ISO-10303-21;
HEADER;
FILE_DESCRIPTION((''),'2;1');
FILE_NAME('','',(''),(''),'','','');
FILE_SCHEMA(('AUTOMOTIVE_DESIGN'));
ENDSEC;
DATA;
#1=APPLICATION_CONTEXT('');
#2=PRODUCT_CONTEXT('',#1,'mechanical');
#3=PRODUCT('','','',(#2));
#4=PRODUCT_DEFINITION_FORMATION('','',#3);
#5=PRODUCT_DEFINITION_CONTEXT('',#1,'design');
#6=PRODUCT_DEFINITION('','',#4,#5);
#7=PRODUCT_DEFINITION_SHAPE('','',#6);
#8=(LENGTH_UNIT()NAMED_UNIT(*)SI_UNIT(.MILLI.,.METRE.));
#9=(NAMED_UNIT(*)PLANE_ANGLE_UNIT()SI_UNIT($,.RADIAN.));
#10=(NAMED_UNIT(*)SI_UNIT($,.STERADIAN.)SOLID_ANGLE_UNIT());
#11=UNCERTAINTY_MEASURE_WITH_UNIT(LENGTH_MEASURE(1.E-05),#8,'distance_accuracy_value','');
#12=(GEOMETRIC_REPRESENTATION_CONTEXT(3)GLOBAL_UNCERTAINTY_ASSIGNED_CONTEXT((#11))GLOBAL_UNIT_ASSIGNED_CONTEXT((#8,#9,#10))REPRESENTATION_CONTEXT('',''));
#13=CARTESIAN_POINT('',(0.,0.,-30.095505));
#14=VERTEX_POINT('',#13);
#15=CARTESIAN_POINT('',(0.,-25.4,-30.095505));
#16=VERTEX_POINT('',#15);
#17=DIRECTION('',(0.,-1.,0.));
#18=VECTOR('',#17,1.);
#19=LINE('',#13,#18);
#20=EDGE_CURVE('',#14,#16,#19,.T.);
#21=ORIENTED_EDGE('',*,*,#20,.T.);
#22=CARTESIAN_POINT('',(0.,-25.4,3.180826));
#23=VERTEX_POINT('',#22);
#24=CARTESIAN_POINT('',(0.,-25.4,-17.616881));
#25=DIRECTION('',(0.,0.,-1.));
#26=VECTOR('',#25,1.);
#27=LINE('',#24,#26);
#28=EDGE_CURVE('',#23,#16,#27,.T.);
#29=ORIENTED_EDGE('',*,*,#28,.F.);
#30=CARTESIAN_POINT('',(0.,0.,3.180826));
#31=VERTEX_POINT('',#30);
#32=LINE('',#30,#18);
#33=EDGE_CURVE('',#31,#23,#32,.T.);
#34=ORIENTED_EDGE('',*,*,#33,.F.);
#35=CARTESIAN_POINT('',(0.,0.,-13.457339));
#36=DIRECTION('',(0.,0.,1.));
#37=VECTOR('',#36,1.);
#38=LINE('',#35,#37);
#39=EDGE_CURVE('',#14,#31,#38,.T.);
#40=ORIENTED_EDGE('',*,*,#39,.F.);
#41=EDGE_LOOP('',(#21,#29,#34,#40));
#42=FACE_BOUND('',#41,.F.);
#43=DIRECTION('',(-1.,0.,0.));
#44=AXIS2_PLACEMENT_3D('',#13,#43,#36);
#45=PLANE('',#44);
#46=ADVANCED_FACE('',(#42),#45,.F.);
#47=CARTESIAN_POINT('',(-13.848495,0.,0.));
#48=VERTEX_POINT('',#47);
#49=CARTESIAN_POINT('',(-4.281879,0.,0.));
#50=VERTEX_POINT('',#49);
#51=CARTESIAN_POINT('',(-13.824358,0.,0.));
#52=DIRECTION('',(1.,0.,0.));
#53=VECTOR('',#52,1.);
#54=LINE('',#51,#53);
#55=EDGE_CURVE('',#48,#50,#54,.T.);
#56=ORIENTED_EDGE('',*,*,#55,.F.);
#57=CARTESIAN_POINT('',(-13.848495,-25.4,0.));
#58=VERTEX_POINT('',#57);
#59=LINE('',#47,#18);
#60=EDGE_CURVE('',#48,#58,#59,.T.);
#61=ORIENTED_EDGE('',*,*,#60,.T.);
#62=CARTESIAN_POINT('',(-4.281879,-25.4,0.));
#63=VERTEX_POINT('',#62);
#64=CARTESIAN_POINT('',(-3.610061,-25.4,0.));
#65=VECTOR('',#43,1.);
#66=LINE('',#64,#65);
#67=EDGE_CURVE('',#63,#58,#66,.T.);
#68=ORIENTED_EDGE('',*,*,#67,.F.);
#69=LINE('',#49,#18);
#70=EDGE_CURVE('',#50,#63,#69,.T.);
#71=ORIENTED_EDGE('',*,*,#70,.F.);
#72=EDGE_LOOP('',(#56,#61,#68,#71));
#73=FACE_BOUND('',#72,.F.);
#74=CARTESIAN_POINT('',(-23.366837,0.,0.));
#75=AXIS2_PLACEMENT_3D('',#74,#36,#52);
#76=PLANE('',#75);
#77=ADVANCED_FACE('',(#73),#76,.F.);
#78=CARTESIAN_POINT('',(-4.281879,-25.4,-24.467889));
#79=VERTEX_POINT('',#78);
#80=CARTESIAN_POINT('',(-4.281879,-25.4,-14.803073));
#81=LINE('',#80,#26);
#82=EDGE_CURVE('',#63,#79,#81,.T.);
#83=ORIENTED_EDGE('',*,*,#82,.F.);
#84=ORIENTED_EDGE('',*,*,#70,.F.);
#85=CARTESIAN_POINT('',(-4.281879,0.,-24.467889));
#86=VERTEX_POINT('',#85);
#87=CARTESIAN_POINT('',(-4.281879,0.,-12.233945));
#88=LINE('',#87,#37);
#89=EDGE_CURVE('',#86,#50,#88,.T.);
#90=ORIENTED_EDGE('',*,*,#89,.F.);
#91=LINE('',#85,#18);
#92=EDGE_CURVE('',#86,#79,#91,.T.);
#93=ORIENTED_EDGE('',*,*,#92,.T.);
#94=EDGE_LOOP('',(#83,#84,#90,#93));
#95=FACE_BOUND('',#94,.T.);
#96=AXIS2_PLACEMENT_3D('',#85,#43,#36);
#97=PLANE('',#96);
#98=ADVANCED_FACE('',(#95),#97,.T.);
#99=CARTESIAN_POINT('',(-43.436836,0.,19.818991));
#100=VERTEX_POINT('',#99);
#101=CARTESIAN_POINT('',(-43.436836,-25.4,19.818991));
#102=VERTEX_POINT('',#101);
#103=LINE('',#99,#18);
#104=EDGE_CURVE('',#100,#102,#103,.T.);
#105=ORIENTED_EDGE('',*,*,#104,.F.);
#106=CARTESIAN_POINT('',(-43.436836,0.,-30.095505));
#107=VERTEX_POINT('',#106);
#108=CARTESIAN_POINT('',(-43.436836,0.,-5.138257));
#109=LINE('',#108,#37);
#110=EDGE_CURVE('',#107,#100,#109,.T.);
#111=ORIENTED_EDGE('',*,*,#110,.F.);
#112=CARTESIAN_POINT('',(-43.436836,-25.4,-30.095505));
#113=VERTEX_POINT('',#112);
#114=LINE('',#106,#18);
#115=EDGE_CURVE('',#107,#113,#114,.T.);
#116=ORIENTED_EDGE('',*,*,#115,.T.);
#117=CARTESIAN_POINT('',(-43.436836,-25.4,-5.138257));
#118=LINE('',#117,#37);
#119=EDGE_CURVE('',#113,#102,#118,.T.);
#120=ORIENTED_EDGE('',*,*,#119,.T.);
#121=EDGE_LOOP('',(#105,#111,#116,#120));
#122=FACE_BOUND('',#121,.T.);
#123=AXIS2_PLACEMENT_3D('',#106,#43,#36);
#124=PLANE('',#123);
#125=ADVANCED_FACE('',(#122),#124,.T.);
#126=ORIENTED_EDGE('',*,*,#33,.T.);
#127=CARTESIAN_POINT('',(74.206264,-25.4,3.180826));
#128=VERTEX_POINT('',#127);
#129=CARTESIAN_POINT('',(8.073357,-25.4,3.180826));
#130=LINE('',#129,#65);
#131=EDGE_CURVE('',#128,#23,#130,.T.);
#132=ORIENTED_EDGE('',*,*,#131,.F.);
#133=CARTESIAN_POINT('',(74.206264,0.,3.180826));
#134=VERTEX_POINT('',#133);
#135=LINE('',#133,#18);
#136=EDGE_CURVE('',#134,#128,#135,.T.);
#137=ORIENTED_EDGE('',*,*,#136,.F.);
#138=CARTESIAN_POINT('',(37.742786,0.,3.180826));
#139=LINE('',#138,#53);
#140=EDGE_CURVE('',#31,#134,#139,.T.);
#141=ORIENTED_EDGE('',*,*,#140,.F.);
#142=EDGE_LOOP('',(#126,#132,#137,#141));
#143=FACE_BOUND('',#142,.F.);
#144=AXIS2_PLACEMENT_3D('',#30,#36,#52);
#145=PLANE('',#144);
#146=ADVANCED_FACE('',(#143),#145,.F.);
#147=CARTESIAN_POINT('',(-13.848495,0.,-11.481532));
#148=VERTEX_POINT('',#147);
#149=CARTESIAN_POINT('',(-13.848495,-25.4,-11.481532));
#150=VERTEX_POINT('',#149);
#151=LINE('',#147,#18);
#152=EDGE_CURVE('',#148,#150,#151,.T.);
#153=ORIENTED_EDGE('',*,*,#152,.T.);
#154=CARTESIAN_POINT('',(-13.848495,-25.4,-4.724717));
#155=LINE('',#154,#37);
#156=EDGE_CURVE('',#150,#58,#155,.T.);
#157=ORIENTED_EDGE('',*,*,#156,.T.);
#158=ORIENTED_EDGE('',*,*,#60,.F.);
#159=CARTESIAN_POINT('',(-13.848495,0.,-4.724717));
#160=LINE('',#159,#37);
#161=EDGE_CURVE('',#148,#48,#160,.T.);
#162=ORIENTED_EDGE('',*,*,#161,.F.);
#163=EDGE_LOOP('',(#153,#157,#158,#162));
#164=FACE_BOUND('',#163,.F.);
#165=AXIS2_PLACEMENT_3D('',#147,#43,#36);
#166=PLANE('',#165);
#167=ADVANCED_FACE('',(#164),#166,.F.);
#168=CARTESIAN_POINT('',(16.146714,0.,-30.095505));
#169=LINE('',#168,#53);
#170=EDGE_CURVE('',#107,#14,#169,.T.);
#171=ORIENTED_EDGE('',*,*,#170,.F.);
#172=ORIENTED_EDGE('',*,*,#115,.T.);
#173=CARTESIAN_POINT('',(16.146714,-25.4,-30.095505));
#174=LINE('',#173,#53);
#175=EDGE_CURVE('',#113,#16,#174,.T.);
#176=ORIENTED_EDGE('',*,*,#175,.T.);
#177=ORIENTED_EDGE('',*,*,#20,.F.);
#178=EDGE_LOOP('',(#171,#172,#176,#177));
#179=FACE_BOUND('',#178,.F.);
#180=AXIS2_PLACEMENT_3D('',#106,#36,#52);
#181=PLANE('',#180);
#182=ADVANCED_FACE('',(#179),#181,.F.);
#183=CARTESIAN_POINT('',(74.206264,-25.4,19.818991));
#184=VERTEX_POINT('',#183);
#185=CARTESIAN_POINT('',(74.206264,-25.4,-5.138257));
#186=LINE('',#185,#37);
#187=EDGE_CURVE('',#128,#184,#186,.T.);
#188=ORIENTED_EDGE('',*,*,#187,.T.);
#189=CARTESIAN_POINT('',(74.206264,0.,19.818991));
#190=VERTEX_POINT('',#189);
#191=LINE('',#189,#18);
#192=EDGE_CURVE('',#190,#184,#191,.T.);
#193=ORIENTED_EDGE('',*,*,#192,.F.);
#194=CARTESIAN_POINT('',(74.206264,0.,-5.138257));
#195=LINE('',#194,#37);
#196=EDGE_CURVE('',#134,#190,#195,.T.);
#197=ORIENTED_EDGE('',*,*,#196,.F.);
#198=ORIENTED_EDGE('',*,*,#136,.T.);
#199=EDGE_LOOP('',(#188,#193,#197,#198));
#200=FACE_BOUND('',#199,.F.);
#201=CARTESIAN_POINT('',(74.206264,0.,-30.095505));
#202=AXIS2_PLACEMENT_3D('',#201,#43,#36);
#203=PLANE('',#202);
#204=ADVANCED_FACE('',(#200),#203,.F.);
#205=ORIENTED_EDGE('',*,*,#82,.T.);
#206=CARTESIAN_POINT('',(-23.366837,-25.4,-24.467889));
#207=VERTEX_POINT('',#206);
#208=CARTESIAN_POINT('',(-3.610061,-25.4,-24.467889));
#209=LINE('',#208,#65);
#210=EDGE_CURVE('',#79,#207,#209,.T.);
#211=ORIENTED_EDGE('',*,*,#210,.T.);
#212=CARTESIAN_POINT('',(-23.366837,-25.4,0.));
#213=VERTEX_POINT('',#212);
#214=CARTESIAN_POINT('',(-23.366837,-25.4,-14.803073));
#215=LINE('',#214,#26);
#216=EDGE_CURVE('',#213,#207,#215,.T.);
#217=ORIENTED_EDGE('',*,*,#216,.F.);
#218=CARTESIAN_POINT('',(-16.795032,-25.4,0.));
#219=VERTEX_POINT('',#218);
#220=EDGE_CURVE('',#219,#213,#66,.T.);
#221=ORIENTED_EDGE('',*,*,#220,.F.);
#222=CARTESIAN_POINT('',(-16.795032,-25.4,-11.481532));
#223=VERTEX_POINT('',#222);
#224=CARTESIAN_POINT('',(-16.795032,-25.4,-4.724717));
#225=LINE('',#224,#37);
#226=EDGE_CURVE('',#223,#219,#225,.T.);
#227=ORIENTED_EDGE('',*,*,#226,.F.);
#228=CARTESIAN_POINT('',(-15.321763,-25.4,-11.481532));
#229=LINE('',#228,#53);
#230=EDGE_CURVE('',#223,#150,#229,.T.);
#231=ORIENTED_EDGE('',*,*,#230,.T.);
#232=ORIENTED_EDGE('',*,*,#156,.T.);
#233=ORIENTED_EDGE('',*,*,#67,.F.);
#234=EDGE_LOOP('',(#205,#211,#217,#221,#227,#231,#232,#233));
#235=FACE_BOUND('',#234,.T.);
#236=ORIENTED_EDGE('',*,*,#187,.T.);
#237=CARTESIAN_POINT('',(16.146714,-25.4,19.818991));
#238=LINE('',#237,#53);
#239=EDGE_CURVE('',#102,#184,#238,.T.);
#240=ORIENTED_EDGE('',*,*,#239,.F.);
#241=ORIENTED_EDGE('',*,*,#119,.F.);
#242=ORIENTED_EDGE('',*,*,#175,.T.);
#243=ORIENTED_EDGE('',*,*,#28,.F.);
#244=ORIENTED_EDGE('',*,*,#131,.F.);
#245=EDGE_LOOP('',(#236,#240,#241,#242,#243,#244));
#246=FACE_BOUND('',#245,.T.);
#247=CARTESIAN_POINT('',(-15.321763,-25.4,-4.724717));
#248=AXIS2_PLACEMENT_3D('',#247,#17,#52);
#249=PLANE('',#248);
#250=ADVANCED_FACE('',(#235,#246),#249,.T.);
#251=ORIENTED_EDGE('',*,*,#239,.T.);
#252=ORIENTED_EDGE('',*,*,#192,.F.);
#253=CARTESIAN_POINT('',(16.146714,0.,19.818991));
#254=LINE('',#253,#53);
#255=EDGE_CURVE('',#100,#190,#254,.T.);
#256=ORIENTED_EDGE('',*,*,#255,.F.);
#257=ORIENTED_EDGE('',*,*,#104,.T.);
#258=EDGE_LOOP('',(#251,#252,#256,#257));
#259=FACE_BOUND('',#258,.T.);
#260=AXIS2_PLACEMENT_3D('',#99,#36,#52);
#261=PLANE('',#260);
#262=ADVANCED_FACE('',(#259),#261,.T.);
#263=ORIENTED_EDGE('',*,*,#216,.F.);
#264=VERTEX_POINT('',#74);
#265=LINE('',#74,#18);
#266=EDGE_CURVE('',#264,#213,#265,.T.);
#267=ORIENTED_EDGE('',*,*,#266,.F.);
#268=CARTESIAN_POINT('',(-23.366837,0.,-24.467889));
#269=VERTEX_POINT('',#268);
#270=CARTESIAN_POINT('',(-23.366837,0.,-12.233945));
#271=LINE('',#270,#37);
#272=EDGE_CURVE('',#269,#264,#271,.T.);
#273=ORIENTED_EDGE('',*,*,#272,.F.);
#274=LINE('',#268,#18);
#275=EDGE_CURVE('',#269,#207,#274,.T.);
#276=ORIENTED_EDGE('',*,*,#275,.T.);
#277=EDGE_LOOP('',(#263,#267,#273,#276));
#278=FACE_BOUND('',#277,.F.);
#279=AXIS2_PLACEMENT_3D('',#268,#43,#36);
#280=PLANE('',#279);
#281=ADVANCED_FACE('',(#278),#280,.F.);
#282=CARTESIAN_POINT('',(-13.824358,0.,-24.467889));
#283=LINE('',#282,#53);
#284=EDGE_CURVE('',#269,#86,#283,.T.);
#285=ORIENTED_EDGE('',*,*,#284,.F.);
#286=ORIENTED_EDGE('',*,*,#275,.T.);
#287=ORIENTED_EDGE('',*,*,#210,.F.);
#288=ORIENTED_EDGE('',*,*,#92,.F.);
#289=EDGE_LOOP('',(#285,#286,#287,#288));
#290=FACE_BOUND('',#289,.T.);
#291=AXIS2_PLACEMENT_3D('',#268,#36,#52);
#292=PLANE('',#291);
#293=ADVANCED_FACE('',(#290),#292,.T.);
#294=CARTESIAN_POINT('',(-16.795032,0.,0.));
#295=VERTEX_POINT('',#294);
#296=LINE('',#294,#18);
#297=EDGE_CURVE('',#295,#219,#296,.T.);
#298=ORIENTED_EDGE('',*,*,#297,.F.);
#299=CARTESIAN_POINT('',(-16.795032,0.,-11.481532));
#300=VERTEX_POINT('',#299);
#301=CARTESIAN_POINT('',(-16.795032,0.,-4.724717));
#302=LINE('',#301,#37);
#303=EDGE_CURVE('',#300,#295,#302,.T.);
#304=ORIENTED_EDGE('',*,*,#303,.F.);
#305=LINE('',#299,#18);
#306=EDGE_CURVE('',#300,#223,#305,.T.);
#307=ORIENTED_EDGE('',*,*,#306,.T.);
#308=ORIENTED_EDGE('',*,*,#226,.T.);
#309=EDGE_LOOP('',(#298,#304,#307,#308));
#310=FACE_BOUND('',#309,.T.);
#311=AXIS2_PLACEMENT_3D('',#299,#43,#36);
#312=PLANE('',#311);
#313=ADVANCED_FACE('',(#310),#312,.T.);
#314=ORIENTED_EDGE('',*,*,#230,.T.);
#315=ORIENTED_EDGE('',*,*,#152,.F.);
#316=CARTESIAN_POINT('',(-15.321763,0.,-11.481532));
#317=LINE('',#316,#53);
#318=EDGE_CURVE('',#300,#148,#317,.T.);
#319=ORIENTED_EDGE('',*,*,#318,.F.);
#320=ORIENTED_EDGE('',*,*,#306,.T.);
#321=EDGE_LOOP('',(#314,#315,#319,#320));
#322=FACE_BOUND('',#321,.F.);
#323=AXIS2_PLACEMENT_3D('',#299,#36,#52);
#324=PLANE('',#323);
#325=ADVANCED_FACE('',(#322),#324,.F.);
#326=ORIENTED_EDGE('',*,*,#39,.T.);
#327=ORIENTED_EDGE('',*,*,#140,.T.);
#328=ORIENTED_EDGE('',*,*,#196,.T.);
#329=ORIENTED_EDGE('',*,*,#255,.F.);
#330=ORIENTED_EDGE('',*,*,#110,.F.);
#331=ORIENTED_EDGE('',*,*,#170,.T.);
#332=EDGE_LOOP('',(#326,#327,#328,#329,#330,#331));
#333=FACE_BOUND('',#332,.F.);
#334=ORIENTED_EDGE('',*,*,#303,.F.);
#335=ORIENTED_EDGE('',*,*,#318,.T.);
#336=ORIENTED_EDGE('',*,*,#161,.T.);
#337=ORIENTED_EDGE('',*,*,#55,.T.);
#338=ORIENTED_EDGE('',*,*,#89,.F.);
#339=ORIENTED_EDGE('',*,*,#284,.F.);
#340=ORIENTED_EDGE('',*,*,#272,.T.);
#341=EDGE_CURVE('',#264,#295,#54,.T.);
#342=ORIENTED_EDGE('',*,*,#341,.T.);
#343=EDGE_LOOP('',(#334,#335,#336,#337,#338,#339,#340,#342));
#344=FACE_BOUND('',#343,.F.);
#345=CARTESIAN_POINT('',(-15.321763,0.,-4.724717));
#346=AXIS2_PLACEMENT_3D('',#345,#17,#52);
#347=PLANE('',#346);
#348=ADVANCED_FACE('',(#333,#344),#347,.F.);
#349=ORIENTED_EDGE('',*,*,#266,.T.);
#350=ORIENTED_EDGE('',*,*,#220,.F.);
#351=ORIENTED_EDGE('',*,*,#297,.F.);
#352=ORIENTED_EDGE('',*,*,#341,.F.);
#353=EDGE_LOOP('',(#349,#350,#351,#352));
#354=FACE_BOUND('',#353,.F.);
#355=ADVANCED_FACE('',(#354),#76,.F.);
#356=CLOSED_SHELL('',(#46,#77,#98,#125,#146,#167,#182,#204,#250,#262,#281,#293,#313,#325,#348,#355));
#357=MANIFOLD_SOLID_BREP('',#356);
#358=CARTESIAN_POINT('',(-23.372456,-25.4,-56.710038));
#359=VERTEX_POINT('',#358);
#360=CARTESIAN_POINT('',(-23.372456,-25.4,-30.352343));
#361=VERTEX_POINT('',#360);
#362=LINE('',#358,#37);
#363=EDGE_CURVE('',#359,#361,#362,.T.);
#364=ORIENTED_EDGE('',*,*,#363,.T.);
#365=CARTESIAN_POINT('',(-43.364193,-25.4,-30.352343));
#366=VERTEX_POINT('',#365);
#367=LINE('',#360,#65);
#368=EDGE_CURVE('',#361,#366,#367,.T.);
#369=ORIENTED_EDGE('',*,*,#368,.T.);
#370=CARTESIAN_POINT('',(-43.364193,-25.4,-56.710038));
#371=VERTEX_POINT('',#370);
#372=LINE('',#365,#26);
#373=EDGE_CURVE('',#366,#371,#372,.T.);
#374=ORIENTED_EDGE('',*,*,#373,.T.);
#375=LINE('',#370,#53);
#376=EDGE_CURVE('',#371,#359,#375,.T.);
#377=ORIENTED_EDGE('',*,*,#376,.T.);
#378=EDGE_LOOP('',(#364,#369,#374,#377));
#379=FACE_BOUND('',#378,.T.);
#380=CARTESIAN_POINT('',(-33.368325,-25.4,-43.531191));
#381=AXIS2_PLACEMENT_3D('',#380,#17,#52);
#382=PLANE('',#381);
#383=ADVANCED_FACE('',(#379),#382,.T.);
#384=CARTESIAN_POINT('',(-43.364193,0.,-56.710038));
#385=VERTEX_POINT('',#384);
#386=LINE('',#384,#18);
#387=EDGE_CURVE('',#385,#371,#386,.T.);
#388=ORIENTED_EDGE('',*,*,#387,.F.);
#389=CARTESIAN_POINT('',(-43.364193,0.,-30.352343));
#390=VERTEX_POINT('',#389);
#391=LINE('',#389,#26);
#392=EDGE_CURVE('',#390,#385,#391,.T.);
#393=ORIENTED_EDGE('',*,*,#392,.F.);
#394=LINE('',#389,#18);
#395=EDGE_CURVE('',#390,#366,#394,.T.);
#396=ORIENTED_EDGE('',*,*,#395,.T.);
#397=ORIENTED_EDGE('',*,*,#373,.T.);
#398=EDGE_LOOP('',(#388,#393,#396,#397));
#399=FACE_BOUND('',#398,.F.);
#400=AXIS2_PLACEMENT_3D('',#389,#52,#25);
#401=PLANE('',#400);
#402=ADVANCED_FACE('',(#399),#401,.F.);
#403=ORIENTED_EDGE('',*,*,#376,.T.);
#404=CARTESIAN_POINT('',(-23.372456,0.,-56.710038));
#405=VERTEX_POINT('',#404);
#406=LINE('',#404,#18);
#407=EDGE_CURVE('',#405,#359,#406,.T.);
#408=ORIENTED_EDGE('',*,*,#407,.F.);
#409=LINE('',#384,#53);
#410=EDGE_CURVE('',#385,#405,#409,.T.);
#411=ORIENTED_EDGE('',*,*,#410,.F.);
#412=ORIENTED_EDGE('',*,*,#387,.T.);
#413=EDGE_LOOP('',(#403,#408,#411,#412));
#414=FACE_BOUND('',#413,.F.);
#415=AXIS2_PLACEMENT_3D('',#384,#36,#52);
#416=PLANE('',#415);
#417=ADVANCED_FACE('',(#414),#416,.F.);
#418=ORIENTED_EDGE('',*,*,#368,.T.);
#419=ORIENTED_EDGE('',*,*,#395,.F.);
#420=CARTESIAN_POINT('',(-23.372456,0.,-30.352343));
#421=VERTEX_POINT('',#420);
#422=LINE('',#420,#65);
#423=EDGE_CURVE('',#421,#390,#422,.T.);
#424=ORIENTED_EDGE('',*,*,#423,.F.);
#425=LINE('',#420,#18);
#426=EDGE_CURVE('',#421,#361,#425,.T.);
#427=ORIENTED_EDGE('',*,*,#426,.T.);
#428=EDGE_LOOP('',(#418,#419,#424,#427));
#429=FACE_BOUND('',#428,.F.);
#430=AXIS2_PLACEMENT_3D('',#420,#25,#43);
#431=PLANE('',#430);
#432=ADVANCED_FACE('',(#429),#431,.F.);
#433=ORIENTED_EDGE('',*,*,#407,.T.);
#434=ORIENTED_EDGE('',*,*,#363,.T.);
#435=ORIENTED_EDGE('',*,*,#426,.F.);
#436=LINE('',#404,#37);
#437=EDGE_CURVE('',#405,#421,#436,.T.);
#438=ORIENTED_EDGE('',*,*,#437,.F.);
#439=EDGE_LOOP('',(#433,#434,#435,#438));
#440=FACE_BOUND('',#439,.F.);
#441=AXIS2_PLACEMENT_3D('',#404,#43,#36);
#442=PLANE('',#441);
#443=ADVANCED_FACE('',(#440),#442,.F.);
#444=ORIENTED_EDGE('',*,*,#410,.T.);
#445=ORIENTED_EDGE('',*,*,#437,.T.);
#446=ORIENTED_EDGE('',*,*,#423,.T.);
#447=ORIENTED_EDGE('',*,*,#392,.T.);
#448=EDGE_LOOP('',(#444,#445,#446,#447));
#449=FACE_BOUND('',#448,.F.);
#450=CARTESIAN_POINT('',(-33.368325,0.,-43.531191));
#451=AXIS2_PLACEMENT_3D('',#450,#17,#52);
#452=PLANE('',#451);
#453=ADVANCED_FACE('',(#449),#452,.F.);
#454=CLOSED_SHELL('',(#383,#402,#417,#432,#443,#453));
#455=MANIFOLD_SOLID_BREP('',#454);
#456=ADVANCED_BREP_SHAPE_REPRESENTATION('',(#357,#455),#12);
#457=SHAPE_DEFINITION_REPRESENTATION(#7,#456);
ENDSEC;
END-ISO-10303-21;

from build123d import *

# Parameters (mm, degrees)
F0_W      = 119.1671006382
F0_H      = 49.9144960195
F2_DEPTH  = 25.4
F0_W_2    = 0.7340870798
F0_H_2    = 0.2446807921
F1_W      = 75.4855722189
F1_H      = 33.2763304468
F3_DEPTH  = 25.654
F4_DEPTH  = 1.524
F5_W      = 19.0849574283
F5_H      = 24.4678892195
F6_DEPTH  = 52.324
F8_DEPTH  = 25.4
F9_W      = 2.946536988
F9_H      = 13.5136300232
F10_DEPTH = 25.4


with BuildPart() as f2:
    # F0 (on Front) → F2 (new body)
    with BuildSketch(Plane.XZ):
        with Locations((16.1467138678, -5.1382565871)):
            Rectangle(F0_W, F0_H)
    extrude(amount=F2_DEPTH)

    # F1 (on Front) → F3 (cut)
    with BuildSketch(Plane.XZ):
        with Locations((37.7427861094, -13.4573393734)):
            Rectangle(F1_W, F1_H)
    extrude(amount=F3_DEPTH, mode=Mode.SUBTRACT)

    # F4 (cut): a face of the model
    f4_faces = [f2.faces().sort_by_distance(p)[0] for p in [
        (75.7302641869, -12.7, -5.1382565871),
    ]]
    extrude(f4_faces, amount=-F4_DEPTH, mode=Mode.SUBTRACT)

    # F5 (on Front) → F6 (cut)
    with BuildSketch(Plane.XZ):
        with Locations((-13.8243581168, -12.2339446098)):
            Rectangle(F5_W, F5_H)
    extrude(amount=F6_DEPTH, mode=Mode.SUBTRACT)

    # F9 (on Front) → F10 (join)
    with BuildSketch(Plane.XZ):
        with Locations((-15.3217632324, -4.7247168841)):
            Rectangle(F9_W, F9_H)
    extrude(amount=F10_DEPTH)


with BuildPart() as f2b:
    # F0 (on Front) → F2, piece 2 (new body)
    with BuildSketch(Plane.XZ):
        with Locations((-35.4842077941, -49.0581188351)):
            Rectangle(F0_W_2, F0_H_2)
    extrude(amount=F2_DEPTH)

    # F7 (on Front) → F8 (join)
    with BuildSketch(Plane.XZ):
        Polygon((-23.3724564314, -39.6527908742), (-23.3724564314, -30.3523428738), (-43.3641932905, -30.3523428738), (-43.3641932905, -56.7100383341), (-23.3724564314, -56.7100383341), (-23.3724564314, -41.9807769358), align=None)
    extrude(amount=F8_DEPTH)


solid = Compound([f2.part, f2b.part])
